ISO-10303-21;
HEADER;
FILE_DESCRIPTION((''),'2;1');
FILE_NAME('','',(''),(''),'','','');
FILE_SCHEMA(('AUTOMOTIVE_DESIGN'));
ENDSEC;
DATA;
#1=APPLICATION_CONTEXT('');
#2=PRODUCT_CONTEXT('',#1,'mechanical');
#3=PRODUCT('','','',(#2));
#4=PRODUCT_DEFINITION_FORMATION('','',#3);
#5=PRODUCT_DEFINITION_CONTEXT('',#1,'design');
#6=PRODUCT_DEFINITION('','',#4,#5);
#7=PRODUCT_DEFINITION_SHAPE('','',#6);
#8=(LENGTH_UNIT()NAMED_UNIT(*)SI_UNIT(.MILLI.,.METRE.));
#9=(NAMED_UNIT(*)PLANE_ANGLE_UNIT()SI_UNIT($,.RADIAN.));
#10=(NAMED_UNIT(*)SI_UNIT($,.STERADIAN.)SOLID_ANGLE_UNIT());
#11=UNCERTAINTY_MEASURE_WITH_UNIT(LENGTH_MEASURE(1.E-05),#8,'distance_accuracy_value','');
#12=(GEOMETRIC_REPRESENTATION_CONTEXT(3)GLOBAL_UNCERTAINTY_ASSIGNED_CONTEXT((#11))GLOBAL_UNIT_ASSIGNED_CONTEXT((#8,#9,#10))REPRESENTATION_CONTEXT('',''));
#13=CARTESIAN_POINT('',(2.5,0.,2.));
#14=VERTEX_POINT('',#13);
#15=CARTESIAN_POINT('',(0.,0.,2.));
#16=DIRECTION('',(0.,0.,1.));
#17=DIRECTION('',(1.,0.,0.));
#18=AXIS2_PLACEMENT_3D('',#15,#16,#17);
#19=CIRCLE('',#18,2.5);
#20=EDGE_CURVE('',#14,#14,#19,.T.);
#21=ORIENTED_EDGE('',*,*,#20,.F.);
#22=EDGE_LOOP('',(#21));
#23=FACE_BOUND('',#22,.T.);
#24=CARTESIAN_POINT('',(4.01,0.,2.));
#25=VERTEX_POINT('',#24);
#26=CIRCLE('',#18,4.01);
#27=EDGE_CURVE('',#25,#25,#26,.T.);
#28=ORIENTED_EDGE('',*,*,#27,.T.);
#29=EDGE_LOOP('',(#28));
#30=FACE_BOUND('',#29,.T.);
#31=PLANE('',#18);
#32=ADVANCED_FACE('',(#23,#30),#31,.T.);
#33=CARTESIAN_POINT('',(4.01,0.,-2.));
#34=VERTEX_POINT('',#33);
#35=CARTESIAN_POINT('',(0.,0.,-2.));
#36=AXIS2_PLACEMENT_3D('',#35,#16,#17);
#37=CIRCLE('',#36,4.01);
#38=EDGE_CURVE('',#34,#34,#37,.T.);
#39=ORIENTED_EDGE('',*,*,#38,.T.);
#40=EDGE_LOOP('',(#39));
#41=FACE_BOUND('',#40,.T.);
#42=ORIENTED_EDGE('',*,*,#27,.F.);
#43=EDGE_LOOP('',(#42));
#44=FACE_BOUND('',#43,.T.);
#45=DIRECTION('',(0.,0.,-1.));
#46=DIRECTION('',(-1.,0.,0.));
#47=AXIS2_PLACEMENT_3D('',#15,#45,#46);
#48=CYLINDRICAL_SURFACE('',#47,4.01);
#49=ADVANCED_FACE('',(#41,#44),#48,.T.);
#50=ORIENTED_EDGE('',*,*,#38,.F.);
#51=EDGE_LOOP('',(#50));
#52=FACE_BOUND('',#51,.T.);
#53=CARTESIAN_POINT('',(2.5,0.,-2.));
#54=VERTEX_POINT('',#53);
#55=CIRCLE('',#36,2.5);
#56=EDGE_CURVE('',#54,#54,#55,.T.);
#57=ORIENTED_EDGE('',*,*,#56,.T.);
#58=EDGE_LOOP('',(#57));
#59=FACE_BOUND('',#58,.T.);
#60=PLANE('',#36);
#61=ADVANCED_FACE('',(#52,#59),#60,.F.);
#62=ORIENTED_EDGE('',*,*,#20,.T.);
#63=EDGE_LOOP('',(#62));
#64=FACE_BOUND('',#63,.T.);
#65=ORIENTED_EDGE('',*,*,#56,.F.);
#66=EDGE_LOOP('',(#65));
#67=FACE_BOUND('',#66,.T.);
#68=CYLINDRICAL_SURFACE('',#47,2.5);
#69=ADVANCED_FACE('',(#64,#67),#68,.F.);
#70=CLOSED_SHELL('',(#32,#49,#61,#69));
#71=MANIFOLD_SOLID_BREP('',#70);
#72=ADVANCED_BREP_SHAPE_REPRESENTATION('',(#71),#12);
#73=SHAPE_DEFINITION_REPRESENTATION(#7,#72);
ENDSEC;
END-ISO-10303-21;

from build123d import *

# Parameters (mm, degrees)
SKETCH1_R      = 4.01
SKETCH1_R_2    = 2.5
EXTRUDE1_DEPTH = 2


with BuildPart() as part:
    # Sketch1 → Extrude1 (new body, symmetric)
    with BuildSketch(Plane.XY):
        Circle(SKETCH1_R)
        Circle(SKETCH1_R_2, mode=Mode.SUBTRACT)
    extrude(amount=EXTRUDE1_DEPTH, both=True)


solid = part.part
